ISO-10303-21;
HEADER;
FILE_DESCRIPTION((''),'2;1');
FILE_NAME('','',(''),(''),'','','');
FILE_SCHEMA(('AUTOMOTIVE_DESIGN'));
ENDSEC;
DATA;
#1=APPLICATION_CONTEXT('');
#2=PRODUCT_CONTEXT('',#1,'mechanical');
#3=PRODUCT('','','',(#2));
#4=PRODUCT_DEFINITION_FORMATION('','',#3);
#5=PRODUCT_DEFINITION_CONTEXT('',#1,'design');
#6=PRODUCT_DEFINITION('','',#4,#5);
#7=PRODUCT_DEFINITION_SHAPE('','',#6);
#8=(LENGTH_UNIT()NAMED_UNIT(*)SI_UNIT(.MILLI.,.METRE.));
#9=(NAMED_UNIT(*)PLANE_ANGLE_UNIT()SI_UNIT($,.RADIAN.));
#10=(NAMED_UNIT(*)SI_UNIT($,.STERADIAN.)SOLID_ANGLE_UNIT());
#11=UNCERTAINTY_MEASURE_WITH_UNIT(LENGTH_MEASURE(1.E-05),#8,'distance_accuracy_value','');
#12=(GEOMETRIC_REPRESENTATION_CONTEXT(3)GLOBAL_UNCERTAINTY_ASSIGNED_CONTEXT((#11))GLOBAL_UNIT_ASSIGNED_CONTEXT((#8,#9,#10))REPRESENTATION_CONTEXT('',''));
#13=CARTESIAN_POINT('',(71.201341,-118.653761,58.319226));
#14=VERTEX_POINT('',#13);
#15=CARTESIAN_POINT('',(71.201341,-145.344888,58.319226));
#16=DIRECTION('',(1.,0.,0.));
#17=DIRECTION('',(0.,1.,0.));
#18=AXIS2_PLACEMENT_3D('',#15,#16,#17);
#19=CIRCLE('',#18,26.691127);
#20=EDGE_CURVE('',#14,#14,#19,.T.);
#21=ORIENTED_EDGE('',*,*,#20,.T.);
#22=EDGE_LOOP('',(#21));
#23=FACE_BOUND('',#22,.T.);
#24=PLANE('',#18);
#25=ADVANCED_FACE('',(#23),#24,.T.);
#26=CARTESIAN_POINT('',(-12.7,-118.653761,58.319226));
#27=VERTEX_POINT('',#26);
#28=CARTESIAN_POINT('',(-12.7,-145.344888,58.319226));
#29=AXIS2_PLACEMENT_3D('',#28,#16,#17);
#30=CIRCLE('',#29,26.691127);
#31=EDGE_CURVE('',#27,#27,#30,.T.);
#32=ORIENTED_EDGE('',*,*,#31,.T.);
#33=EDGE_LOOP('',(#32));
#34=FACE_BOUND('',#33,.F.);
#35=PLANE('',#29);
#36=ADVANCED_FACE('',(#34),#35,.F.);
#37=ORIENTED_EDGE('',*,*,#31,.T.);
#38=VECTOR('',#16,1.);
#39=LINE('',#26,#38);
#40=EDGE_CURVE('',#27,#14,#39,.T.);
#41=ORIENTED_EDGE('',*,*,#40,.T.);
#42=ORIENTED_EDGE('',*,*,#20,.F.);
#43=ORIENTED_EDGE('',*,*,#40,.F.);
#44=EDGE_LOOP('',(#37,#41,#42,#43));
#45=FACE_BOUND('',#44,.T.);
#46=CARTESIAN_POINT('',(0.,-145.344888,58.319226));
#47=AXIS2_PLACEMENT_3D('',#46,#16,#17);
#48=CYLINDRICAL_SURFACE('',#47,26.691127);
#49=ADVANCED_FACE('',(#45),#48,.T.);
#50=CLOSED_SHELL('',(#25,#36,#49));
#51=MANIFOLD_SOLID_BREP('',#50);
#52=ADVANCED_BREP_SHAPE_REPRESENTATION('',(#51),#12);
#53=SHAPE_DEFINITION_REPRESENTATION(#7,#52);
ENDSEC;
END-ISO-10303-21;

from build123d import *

# Parameters (mm, degrees)
F0_R          = 26.691127
F1_DEPTH      = 71.201341
F1_DEPTH_BACK = 12.7


with BuildPart() as f1:
    # F0 (on Right) → F1 (new body, two sides)
    with BuildSketch(Plane.YZ) as f1_sk:
        with Locations((-145.344888, 58.319226)):
            Circle(F0_R)
    extrude(amount=F1_DEPTH)
    extrude(f1_sk.sketch, amount=-F1_DEPTH_BACK)


solid = f1.part
